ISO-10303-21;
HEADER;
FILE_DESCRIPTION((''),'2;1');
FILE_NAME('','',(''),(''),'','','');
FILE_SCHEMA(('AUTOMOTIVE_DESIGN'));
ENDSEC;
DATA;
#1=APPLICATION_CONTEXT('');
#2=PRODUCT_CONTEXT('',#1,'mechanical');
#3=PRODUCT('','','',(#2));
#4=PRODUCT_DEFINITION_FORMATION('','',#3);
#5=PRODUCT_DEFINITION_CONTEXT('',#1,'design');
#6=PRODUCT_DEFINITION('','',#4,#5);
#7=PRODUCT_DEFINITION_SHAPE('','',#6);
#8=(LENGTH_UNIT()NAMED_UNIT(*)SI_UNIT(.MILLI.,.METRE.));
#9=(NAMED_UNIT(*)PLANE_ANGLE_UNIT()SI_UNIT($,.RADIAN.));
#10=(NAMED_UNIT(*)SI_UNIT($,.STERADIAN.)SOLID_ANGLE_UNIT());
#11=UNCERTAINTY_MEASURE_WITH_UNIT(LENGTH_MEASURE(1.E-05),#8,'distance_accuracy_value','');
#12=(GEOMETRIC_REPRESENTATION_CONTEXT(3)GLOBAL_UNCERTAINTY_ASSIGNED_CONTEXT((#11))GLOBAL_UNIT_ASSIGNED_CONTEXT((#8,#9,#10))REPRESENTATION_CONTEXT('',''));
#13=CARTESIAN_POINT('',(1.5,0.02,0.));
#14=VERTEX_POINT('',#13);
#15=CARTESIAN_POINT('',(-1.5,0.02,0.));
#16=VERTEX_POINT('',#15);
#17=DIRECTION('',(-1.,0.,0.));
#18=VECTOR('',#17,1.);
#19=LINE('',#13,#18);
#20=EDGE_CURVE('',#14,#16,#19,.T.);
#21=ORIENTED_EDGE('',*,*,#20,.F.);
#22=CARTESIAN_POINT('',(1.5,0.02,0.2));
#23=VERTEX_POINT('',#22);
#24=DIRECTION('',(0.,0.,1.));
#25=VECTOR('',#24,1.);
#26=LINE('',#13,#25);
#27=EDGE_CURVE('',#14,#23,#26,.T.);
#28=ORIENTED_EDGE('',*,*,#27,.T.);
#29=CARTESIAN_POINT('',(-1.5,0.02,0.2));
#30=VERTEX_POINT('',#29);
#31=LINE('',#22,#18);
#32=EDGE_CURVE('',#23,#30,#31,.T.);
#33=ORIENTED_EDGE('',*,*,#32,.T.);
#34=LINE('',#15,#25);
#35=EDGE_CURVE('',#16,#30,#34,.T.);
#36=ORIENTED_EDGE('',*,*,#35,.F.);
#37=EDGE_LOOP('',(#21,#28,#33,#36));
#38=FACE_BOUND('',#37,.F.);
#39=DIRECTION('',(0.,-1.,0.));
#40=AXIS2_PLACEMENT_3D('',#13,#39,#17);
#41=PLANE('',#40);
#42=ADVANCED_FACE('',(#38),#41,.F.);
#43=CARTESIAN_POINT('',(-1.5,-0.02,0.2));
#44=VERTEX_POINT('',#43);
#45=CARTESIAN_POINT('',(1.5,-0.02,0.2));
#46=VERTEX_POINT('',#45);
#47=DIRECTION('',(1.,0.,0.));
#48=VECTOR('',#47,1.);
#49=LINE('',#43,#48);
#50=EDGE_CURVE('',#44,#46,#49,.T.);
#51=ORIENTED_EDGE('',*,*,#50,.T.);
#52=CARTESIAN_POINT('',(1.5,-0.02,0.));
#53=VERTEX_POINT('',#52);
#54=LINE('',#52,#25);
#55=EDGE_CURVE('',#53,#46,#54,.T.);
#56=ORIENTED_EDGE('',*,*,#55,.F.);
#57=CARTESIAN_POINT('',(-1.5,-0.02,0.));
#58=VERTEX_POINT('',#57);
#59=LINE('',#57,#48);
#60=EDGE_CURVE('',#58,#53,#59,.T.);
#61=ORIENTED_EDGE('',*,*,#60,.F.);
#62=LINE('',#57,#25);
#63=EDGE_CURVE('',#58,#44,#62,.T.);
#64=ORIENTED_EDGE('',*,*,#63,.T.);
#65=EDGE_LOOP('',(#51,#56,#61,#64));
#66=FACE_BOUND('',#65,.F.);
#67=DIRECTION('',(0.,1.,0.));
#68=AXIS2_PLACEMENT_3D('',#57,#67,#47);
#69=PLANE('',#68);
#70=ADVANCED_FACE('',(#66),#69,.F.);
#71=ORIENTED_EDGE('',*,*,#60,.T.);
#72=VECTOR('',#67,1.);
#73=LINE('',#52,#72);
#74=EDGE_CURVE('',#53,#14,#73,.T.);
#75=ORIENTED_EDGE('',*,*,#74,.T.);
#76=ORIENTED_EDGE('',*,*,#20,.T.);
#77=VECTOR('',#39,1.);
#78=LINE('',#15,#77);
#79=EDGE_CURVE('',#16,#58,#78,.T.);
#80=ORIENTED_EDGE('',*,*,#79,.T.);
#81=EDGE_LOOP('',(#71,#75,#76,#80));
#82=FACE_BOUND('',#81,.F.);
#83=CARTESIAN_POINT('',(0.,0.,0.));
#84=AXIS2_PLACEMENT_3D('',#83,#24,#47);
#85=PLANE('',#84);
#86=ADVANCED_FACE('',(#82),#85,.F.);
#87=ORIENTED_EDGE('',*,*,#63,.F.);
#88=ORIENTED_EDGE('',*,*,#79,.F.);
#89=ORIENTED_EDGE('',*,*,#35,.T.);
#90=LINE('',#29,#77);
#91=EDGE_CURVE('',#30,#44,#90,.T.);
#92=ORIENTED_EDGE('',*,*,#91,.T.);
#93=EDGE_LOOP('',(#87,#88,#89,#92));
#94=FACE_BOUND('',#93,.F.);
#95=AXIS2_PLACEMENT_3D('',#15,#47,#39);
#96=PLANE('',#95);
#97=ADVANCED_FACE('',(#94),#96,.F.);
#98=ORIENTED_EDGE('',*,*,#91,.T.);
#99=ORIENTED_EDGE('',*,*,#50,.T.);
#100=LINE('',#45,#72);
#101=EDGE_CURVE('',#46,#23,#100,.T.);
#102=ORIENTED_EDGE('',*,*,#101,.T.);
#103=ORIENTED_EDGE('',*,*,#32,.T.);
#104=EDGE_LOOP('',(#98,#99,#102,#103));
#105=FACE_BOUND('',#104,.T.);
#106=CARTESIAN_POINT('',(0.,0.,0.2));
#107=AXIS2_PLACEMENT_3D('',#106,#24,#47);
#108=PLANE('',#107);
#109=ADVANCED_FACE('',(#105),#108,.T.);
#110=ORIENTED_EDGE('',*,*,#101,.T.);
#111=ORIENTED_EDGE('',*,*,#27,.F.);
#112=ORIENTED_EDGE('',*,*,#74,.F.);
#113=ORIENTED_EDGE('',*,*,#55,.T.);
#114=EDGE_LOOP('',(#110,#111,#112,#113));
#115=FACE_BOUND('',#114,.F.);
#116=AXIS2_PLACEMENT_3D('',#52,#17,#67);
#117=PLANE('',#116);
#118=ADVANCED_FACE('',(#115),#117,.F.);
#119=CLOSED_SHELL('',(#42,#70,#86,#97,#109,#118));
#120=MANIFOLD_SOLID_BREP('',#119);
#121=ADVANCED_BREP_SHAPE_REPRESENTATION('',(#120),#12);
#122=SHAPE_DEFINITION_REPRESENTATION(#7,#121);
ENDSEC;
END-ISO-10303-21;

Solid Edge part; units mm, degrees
sketch "Sketch1" plane through (0, 0, 0) normal (0, 0, 1) x (1, 0, 0)
  line L0 (-1.5, -0.02) -> (1.5, -0.02)
  line L1 (1.5, -0.02) -> (1.5, 0.02)
  line L2 (1.5, 0.02) -> (-1.5, 0.02)
  line L3 (-1.5, 0.02) -> (-1.5, -0.02)
  dimension "D1" = 3
  dimension "D2" = 0.04
extrude "Protrusion1" add sketch "Sketch1" along normal blind 0.2
